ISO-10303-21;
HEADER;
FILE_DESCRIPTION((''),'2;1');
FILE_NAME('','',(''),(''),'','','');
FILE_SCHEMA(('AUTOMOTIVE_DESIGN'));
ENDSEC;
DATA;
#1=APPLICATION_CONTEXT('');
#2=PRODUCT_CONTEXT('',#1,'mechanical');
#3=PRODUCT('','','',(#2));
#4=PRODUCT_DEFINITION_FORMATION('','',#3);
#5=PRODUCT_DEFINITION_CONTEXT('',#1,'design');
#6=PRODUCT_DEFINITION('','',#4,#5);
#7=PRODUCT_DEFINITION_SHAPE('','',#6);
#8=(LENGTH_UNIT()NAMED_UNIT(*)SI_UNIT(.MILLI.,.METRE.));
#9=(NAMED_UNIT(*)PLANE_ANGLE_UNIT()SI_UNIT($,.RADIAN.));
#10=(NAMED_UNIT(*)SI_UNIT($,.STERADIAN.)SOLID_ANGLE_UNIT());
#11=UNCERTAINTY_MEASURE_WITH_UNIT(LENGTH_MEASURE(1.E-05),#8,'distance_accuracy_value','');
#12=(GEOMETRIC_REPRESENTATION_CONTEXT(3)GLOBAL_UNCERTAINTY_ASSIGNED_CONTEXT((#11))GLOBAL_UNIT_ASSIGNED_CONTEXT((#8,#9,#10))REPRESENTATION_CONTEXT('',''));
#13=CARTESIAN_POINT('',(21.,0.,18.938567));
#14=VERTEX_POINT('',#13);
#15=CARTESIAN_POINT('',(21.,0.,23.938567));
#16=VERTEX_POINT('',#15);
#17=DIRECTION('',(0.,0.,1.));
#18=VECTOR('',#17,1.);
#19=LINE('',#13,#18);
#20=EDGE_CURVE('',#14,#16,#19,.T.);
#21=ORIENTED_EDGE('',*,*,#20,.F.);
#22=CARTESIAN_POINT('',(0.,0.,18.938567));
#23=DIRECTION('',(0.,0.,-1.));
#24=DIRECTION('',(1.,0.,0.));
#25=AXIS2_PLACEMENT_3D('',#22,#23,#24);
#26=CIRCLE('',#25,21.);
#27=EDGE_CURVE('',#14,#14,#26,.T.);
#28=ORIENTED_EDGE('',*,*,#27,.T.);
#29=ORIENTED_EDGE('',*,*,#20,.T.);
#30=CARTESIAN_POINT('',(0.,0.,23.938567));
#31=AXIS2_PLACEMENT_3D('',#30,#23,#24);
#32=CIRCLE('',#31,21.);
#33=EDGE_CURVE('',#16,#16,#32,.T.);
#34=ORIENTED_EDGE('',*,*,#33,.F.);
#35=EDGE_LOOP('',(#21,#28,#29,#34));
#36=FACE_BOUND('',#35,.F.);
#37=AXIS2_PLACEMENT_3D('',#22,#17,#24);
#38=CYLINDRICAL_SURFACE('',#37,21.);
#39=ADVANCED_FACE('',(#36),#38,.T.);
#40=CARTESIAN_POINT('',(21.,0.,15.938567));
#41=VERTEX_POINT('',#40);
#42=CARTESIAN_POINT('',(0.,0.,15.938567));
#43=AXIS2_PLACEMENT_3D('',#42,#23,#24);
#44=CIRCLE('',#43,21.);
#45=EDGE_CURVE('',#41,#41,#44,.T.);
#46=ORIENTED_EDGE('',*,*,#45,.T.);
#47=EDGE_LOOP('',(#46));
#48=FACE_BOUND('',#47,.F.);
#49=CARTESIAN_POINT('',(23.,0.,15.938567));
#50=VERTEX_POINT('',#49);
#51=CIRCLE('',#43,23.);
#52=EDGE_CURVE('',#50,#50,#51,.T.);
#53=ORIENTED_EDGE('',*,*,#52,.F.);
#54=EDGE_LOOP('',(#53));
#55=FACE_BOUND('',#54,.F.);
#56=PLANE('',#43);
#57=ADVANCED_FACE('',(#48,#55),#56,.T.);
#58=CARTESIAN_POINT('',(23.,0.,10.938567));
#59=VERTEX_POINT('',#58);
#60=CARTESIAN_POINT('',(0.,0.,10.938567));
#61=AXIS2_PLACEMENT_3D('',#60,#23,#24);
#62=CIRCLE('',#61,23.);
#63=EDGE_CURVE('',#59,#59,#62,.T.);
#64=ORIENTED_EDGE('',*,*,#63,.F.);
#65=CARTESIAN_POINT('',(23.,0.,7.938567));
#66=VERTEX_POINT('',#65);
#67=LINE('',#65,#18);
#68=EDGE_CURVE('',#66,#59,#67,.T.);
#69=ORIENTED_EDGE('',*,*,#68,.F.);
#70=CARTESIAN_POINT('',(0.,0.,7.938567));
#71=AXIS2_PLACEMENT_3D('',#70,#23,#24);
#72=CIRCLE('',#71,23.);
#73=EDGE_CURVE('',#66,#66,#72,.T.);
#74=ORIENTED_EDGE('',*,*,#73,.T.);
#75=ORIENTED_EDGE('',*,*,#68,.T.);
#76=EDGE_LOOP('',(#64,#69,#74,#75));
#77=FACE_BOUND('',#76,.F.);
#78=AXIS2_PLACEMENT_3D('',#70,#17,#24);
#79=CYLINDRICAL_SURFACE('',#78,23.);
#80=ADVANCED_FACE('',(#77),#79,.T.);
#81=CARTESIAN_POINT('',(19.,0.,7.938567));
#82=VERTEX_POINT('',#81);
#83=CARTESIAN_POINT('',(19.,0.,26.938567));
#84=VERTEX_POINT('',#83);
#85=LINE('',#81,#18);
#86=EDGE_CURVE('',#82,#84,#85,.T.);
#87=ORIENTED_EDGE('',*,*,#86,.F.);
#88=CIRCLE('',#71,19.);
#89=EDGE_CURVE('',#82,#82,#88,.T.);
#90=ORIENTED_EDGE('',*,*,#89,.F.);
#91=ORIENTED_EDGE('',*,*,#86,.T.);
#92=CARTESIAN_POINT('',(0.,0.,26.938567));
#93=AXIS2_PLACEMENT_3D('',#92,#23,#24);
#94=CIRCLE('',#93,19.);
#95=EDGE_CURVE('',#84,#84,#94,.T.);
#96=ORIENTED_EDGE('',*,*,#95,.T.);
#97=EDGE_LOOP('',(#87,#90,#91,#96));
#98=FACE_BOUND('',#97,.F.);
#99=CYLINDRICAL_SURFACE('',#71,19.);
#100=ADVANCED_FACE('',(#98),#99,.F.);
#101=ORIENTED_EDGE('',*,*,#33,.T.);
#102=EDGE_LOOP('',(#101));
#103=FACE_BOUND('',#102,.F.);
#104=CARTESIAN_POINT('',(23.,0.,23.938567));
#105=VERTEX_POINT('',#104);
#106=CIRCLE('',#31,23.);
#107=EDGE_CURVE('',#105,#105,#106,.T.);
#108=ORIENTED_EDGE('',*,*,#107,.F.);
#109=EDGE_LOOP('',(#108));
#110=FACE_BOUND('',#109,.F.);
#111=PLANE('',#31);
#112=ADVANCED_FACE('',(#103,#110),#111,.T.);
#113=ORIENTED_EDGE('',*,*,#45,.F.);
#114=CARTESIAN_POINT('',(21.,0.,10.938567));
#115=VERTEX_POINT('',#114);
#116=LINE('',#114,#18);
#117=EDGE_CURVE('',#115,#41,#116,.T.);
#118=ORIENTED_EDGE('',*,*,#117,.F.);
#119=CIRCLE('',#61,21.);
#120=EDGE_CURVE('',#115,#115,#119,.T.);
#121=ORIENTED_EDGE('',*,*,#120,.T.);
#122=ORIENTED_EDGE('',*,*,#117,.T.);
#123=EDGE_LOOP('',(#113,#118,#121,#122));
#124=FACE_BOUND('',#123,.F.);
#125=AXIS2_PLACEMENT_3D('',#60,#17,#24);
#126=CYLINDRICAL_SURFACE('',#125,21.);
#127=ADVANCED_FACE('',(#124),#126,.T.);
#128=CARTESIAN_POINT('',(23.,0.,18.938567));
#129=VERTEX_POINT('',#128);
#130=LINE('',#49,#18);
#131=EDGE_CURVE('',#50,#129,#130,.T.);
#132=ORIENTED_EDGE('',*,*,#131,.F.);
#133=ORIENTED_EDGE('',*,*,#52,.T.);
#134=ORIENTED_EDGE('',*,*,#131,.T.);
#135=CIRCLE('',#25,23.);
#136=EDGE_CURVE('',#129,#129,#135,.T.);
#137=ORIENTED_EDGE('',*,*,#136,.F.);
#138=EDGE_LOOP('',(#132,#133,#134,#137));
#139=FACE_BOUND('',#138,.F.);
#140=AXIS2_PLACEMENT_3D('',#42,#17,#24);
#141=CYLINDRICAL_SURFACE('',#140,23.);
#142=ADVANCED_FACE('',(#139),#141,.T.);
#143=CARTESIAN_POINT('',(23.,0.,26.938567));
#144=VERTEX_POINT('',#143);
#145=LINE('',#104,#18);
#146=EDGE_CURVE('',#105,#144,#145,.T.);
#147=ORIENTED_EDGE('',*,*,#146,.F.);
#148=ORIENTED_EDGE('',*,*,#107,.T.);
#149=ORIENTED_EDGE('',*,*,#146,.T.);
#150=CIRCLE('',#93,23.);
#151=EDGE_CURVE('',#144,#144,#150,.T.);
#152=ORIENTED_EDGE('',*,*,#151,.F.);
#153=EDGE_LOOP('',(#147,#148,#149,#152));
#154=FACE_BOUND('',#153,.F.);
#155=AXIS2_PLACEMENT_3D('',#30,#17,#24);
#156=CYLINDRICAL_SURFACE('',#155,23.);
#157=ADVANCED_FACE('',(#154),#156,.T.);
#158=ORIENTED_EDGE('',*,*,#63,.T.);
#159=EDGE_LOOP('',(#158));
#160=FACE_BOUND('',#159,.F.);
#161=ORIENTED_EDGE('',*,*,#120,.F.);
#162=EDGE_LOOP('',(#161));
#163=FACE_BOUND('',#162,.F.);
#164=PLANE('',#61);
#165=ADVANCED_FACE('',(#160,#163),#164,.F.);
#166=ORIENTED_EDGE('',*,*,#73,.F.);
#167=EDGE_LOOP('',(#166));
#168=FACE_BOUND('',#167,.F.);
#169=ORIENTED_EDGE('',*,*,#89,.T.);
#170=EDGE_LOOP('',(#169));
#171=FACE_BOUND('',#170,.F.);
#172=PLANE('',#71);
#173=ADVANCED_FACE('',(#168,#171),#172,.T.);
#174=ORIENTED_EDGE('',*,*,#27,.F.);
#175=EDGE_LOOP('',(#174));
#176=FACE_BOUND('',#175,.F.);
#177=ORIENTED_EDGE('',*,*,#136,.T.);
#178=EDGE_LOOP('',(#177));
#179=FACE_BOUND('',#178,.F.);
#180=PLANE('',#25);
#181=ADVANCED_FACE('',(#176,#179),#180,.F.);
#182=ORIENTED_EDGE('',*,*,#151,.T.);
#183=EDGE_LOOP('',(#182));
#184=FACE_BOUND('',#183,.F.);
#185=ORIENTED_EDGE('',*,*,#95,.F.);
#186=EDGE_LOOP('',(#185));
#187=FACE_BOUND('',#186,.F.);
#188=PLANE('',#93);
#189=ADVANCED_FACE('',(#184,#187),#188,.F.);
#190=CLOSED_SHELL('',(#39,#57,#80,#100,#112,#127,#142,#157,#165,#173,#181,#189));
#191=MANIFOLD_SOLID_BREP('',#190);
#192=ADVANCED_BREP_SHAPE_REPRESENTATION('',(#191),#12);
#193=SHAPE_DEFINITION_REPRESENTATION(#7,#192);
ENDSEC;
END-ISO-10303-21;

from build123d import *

# Parameters (mm, degrees)
F3_R     = 19
F4_DEPTH = 23


with BuildPart() as f1:
    # F0 (on Front) → F1 (revolve)
    with BuildSketch(Plane.XZ):
        Polygon((23, 26.938567), (0, 26.938567), (0, 7.938567), (23, 7.938567), (23, 10.938567), (21, 10.938567), (21, 15.938567), (23, 15.938567), (23, 18.938567), (21, 18.938567), (21, 23.938567), (23, 23.938567), align=None)
    revolve(axis=Axis((0, 0, 17.438567), (0, 0, -1)))

    # F3 (on face) → F4 (cut)
    with BuildSketch(Plane(origin=(0, 0, 7.938567), x_dir=(1, 0, 0), z_dir=(0, 0, -1))):
        Circle(F3_R)
    extrude(amount=-F4_DEPTH, mode=Mode.SUBTRACT)


solid = f1.part
